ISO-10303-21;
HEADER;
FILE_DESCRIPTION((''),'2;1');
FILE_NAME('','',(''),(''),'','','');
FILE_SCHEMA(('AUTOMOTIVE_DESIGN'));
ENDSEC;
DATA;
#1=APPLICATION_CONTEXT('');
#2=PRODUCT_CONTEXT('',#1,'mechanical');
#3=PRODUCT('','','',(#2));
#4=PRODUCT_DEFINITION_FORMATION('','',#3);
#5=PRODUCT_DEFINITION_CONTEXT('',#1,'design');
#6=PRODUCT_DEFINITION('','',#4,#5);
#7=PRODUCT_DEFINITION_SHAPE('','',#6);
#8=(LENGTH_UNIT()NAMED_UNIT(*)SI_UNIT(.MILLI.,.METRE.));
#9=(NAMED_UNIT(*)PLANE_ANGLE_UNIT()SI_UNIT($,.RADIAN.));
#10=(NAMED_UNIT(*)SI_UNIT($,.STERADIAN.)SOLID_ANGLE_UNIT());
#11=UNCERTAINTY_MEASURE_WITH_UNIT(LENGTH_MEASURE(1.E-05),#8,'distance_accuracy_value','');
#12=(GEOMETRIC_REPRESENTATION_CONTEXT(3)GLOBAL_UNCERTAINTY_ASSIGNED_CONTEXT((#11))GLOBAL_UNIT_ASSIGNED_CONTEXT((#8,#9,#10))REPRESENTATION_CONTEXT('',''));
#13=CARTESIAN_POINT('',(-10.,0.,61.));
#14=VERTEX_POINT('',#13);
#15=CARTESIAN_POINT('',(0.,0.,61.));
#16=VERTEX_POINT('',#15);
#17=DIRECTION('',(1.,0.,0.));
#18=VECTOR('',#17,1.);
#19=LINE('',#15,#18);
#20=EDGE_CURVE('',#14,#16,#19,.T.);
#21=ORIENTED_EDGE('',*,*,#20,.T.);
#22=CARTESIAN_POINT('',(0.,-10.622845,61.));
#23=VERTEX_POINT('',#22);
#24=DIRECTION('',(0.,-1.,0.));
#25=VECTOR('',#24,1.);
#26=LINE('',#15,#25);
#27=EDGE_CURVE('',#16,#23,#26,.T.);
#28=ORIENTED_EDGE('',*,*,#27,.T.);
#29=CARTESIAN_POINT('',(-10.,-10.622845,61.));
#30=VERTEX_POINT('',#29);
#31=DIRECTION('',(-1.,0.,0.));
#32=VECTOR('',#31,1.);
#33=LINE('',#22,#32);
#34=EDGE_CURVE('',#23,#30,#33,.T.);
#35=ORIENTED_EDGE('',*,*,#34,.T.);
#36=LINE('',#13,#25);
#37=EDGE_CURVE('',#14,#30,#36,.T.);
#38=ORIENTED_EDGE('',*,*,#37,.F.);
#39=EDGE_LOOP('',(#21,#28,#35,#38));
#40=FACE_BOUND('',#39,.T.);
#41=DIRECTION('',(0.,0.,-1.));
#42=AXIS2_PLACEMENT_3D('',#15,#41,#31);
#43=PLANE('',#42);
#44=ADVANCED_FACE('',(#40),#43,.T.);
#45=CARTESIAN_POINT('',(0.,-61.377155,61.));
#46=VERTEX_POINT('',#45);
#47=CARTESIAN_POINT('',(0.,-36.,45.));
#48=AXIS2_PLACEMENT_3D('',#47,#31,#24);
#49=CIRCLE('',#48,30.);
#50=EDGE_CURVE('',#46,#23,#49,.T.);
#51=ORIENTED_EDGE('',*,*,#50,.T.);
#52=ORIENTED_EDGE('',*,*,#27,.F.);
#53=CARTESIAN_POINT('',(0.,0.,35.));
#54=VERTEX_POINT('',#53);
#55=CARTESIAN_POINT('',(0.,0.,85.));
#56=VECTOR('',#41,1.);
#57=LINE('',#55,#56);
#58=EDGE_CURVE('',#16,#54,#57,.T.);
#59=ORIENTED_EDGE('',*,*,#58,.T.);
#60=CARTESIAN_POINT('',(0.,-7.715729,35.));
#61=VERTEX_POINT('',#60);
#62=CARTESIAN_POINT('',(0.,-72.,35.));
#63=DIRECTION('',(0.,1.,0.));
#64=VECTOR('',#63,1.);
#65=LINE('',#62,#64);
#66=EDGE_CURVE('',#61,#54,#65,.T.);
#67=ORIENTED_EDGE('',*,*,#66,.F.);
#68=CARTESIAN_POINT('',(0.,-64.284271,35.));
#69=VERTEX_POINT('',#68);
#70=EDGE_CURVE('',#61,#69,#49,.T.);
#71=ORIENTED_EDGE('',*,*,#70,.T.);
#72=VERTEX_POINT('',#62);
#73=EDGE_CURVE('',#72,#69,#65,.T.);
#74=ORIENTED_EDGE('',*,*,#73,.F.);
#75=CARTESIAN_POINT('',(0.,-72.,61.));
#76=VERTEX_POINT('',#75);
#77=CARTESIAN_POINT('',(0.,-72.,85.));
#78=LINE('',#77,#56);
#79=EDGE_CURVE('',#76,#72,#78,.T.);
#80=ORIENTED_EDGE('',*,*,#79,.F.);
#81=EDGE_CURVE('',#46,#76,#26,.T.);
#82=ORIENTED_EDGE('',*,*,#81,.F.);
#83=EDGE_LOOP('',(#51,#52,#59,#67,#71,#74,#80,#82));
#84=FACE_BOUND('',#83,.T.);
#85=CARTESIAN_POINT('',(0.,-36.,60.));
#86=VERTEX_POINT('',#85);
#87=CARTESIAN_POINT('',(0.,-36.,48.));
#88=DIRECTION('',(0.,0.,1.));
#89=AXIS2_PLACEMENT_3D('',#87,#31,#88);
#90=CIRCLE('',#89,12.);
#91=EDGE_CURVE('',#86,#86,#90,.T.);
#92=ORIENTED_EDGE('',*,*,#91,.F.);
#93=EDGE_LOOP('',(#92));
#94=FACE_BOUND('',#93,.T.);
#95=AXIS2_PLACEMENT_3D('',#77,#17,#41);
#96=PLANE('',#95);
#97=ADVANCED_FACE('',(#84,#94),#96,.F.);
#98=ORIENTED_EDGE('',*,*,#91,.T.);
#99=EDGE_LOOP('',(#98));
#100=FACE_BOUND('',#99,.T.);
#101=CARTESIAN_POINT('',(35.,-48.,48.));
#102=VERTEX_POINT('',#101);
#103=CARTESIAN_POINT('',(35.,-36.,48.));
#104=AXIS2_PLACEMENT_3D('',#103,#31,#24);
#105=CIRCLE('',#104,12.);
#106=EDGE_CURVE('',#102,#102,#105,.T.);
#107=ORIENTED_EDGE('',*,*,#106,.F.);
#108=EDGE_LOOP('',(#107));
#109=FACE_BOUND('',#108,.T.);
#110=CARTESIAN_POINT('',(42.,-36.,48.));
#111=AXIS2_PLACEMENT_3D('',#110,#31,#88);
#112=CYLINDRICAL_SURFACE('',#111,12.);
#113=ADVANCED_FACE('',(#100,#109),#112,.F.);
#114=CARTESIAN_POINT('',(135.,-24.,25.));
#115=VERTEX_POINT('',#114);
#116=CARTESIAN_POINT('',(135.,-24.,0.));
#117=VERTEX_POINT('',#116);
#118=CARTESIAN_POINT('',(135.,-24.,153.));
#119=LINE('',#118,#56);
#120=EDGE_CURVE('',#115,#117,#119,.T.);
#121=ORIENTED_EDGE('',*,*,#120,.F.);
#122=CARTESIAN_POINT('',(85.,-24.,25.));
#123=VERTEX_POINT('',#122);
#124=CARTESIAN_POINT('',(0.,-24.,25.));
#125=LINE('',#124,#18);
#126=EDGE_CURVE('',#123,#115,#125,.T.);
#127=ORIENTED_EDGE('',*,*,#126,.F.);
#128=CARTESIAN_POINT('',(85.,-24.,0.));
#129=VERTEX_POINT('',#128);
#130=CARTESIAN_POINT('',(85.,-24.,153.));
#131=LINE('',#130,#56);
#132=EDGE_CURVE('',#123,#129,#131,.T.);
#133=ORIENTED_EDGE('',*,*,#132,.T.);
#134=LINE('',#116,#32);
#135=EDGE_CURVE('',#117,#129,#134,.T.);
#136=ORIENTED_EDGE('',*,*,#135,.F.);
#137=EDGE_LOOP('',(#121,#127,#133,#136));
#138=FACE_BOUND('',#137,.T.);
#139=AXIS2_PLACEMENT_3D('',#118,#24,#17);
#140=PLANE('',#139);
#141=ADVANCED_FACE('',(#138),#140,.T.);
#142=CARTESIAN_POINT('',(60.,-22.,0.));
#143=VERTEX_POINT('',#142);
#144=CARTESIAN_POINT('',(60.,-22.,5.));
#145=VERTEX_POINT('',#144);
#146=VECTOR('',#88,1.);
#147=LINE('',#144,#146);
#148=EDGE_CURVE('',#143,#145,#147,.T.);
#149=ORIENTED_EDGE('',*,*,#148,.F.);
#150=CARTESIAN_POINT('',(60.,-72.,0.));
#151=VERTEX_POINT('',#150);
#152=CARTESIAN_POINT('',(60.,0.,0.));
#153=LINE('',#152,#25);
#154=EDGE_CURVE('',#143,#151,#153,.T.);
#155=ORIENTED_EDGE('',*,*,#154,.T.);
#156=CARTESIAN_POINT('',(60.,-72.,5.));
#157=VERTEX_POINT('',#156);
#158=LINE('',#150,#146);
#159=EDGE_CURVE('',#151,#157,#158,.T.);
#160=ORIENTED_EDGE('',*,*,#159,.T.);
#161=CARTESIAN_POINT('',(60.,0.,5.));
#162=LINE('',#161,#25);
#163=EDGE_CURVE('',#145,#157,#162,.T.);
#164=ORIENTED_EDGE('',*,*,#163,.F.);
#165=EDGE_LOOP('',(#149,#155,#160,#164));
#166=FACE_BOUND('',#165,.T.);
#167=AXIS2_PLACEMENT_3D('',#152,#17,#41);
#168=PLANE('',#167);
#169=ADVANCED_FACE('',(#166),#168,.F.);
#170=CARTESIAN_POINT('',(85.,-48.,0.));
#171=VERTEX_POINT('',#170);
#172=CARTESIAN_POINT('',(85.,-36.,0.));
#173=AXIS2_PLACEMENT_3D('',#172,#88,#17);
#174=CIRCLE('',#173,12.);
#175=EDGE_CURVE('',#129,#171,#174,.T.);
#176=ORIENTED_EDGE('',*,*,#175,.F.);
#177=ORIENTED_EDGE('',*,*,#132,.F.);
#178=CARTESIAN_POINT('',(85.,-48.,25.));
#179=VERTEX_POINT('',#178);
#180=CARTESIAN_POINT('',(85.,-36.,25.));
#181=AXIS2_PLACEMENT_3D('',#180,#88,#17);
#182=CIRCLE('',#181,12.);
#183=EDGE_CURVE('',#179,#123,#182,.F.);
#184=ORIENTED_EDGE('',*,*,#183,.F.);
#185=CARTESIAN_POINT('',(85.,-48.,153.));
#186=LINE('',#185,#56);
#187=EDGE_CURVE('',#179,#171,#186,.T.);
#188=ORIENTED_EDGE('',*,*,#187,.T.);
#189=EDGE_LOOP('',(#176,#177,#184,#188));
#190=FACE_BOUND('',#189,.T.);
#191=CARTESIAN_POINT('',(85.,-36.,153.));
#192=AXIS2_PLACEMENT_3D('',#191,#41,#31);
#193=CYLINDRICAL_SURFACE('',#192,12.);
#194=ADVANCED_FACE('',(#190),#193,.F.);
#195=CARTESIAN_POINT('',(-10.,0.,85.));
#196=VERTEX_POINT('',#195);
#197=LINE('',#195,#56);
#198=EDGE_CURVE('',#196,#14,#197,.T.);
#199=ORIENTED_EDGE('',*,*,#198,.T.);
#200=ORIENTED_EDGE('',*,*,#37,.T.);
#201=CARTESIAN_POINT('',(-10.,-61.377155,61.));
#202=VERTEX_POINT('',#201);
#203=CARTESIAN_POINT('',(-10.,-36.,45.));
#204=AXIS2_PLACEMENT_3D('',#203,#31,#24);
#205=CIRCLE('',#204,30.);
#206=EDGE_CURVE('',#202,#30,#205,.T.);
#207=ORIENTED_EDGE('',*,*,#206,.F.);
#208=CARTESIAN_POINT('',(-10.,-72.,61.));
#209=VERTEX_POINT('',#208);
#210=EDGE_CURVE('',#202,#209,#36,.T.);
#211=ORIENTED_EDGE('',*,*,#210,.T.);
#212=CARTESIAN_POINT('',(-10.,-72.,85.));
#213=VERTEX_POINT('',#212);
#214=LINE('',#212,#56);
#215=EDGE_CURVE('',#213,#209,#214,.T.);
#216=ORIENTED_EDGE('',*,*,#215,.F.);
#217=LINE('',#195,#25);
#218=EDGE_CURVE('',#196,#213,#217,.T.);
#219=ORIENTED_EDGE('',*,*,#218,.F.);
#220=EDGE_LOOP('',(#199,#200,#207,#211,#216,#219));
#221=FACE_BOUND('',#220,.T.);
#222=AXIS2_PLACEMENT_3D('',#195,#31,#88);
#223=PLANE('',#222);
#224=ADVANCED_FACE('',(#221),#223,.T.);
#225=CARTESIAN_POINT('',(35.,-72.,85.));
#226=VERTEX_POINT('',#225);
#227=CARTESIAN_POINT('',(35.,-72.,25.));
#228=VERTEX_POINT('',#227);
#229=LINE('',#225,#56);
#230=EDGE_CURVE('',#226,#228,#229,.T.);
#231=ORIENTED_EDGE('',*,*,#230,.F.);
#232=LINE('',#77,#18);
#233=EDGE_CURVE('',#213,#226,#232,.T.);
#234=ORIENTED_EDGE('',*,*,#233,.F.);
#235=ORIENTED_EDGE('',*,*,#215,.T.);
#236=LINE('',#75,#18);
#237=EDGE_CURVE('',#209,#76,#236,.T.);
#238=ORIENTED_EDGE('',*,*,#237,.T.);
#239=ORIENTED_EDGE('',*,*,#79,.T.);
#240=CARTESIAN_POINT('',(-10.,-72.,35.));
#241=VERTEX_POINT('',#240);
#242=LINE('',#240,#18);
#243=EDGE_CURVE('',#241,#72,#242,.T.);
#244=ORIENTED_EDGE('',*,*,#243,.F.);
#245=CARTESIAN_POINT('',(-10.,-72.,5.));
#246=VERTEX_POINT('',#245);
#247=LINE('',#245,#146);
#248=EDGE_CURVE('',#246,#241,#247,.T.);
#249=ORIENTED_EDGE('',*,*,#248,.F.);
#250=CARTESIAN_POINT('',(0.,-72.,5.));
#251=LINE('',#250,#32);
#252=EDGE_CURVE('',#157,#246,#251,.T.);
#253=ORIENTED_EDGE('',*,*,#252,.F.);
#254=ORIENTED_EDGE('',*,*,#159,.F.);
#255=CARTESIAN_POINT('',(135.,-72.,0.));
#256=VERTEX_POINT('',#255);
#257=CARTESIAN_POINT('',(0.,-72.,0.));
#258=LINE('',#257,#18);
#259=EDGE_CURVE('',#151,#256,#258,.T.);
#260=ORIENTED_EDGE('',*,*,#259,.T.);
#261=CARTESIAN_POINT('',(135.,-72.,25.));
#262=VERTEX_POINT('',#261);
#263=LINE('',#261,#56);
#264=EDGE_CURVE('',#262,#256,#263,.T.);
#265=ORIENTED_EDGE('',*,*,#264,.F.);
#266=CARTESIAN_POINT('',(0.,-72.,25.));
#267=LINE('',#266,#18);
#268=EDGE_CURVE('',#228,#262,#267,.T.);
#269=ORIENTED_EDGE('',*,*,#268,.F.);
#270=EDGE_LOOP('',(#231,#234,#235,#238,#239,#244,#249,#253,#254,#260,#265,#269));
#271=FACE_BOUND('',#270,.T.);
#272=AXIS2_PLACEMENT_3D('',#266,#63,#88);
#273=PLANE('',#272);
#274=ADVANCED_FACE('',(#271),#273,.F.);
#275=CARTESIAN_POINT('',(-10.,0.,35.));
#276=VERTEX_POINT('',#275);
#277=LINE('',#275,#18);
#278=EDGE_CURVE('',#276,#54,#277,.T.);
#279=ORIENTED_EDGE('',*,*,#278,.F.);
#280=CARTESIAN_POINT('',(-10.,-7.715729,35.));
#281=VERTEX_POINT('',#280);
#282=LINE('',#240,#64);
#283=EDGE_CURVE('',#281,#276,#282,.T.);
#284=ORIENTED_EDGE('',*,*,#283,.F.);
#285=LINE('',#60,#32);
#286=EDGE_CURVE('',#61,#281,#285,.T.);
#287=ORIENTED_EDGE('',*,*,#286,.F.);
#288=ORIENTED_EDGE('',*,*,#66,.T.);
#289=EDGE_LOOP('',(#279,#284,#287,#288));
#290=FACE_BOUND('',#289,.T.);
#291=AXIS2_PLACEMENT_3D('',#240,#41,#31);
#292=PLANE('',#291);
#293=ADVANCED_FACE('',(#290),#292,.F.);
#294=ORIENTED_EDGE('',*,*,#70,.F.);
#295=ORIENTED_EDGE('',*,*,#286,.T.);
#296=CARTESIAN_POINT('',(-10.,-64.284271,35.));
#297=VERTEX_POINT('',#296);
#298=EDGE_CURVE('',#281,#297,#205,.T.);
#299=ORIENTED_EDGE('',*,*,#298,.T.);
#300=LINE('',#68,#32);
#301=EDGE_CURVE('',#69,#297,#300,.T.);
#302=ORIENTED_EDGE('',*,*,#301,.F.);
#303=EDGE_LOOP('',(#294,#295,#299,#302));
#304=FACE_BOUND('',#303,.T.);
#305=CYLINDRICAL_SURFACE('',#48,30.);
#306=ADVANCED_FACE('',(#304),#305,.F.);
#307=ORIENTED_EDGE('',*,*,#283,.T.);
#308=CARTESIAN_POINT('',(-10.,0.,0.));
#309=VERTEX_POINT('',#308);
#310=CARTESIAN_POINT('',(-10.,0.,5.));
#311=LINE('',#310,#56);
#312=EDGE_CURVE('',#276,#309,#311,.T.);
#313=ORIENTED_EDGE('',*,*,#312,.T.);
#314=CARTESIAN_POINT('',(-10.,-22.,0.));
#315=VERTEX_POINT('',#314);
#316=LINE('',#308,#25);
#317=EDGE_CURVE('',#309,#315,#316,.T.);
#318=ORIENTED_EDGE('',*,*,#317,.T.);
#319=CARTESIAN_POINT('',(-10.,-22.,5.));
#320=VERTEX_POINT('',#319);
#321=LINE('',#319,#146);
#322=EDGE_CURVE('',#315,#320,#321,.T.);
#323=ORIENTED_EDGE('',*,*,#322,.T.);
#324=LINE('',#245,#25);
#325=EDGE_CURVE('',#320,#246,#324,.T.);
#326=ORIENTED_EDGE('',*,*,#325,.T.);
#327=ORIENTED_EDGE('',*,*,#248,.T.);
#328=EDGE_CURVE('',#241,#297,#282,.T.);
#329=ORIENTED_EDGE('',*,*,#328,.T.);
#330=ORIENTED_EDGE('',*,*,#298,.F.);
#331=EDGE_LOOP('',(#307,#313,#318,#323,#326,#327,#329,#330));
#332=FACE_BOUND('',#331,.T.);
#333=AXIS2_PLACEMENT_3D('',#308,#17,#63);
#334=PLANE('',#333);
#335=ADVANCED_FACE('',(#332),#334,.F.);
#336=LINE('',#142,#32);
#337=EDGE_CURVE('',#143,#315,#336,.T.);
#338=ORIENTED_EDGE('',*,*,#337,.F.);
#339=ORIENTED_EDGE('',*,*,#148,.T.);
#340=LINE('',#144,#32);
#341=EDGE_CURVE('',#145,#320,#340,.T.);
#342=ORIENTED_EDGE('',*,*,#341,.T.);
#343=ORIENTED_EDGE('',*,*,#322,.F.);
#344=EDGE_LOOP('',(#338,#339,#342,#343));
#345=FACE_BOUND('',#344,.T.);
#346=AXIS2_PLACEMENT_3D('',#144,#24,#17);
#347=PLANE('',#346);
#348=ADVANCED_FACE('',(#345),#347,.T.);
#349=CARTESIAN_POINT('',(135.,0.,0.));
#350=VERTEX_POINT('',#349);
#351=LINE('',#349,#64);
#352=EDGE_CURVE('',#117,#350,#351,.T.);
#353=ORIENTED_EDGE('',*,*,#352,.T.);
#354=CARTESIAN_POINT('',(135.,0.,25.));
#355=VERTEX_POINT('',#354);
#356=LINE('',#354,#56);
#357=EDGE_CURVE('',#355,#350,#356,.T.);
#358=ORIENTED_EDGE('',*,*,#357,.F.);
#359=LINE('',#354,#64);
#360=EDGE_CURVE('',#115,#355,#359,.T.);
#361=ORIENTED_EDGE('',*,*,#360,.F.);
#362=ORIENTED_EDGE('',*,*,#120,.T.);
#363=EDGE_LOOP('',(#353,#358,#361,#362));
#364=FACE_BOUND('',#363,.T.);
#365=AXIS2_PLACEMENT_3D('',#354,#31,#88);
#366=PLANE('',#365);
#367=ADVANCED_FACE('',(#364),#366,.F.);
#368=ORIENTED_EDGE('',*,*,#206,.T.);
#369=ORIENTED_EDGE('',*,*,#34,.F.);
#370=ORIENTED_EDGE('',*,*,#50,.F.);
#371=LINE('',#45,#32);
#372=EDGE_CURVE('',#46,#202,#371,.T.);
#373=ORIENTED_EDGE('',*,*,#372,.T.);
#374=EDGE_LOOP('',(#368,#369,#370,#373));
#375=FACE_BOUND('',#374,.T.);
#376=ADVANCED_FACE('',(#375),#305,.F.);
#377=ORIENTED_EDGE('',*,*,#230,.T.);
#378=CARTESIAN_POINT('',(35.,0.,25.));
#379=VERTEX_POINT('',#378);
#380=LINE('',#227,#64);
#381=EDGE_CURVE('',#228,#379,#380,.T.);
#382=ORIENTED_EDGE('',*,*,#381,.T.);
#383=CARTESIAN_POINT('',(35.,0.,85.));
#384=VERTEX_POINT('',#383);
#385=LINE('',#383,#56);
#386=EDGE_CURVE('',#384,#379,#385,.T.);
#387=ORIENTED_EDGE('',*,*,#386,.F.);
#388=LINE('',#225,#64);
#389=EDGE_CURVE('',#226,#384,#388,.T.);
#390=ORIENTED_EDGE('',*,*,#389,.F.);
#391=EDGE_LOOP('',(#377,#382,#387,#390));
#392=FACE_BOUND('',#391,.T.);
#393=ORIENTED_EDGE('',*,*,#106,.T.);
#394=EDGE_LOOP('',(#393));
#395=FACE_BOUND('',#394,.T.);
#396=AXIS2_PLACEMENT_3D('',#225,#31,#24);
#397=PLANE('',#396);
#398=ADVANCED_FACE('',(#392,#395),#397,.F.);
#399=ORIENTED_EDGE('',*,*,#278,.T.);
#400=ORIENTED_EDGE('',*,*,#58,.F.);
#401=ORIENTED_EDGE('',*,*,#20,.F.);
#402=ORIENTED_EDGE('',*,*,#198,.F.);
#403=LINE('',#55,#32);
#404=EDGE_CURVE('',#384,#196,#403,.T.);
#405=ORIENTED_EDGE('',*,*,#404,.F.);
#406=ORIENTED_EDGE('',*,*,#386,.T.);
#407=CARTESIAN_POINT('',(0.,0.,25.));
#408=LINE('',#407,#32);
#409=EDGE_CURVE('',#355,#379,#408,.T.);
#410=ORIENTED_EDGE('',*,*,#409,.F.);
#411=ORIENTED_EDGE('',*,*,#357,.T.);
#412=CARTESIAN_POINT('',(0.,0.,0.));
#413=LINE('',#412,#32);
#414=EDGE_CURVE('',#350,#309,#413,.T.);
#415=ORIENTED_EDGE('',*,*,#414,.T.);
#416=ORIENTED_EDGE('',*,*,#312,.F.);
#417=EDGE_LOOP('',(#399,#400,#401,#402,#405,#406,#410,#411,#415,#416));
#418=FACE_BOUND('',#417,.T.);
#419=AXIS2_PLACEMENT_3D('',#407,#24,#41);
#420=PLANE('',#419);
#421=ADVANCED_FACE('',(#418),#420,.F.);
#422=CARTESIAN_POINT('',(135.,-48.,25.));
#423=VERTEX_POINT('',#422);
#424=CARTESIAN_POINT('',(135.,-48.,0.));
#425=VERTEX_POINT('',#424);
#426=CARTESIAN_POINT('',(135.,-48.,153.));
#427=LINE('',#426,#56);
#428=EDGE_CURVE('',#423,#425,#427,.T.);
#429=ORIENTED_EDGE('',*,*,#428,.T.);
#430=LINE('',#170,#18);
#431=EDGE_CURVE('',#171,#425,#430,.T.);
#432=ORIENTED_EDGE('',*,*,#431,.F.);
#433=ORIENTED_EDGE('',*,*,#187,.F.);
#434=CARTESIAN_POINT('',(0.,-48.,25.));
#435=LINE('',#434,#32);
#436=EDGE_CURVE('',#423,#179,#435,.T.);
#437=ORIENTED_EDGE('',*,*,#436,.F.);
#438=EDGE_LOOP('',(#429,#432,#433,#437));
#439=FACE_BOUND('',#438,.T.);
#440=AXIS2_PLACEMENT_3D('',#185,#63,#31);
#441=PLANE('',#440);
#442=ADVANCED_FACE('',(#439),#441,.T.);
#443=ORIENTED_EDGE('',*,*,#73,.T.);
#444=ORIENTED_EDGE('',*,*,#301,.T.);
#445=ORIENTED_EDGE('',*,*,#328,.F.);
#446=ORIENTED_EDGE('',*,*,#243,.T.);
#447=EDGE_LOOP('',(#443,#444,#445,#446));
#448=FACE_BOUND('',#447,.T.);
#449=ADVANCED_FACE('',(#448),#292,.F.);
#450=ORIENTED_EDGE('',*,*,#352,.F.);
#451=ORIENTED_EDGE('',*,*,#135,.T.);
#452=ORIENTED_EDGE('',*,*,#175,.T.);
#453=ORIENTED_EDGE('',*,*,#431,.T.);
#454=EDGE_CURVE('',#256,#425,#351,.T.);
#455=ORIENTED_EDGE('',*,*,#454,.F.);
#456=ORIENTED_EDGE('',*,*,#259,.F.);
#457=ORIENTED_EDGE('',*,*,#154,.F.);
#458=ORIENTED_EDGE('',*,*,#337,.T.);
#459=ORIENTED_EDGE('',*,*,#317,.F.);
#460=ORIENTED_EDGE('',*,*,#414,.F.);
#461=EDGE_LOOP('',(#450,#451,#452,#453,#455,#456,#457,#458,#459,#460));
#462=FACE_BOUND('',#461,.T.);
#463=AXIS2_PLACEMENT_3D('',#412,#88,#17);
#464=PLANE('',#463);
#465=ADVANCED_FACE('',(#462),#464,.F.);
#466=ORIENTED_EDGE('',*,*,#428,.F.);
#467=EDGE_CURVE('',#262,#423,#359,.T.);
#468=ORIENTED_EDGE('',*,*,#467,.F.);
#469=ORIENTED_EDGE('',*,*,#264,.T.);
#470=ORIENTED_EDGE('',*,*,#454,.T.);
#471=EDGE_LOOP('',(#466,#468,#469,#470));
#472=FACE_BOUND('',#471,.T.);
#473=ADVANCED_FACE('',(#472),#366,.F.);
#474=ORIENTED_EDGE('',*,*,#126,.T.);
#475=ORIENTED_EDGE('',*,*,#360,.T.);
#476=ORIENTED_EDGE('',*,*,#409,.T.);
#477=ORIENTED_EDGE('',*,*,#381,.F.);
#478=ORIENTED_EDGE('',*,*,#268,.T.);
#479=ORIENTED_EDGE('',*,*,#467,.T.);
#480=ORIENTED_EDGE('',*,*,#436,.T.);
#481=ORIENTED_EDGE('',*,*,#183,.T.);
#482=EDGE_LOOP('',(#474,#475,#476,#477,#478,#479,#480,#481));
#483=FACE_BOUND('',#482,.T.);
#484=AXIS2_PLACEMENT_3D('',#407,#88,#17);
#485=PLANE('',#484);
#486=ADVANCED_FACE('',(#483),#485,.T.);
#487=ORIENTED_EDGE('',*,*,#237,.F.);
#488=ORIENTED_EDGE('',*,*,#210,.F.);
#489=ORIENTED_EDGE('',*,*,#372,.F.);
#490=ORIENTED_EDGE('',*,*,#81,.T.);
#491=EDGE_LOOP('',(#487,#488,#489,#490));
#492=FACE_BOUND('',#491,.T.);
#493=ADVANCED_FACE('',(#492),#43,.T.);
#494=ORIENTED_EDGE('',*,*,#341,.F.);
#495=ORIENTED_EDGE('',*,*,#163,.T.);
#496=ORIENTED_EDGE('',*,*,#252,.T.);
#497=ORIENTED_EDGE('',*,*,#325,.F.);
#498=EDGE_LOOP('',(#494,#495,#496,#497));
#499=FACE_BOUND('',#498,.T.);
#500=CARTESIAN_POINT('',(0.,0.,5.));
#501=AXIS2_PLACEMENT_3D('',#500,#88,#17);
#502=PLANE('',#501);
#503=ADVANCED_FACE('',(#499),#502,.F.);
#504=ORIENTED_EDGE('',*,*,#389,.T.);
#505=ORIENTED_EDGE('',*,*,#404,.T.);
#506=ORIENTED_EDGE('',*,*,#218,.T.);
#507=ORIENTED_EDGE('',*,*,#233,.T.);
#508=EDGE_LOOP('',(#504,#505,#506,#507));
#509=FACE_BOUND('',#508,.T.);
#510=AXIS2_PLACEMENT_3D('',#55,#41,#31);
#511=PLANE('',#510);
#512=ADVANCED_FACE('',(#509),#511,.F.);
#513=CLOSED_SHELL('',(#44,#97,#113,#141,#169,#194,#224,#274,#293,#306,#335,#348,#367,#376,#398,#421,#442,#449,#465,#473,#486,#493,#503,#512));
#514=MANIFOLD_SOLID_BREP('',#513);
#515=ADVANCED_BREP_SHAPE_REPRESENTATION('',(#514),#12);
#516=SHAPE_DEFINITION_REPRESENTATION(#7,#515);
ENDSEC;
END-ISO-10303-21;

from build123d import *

# Parameters (mm, degrees)
SKETCH1_W           = 135
SKETCH1_H           = 72
BOSS_EXTRUDE2_DEPTH = 25
SKETCH2_W           = 60
SKETCH2_H           = 5
CUT_EXTRUDE1_DEPTH  = 72
CUT_EXTRUDE2_DEPTH  = 153
SKETCH4_W           = 30
SKETCH4_H           = 72
BOSS_EXTRUDE3_DEPTH = 10
SKETCH7_W           = 5
SKETCH7_H           = 22
BOSS_EXTRUDE4_DEPTH = 70
SKETCH9_W           = 35
SKETCH9_H           = 72
BOSS_EXTRUDE5_DEPTH = 60
SKETCH10_W          = 10
SKETCH10_H          = 24
BOSS_EXTRUDE6_DEPTH = 72
CUT_EXTRUDE3_DEPTH  = 10
SKETCH12_R          = 12
CUT_EXTRUDE4_DEPTH  = 42


with BuildPart() as part:
    # Sketch1 → Boss-Extrude2 (new body)
    with BuildSketch(Plane.XY):
        with Locations((67.5, -36)):
            Rectangle(SKETCH1_W, SKETCH1_H)
    extrude(amount=BOSS_EXTRUDE2_DEPTH)

    # Sketch2 → Cut-Extrude1 (cut)
    with BuildSketch(Plane.XZ.offset(72)):
        with Locations((30, 2.5)):
            Rectangle(SKETCH2_W, SKETCH2_H)
    extrude(amount=-CUT_EXTRUDE1_DEPTH, mode=Mode.SUBTRACT)

    # Sketch3 → Cut-Extrude2 (cut)
    with BuildSketch(Plane.XY):
        with BuildLine():
            Line((135, -24), (85, -24))
            ThreePointArc((85, -24), (73, -36), (85, -48))
            Line((85, -48), (135, -48))
            Line((135, -48), (135, -24))
        make_face()
    extrude(amount=CUT_EXTRUDE2_DEPTH, mode=Mode.SUBTRACT)

    # Sketch4 → Boss-Extrude3 (add)
    with BuildSketch(Plane.ZY):
        with Locations((20, -36)):
            Rectangle(SKETCH4_W, SKETCH4_H)
    extrude(amount=BOSS_EXTRUDE3_DEPTH)

    # Sketch7 → Boss-Extrude4 (add)
    with BuildSketch(Plane.ZY.offset(10)):
        with Locations((2.5, -11)):
            Rectangle(SKETCH7_W, SKETCH7_H)
    extrude(amount=-BOSS_EXTRUDE4_DEPTH)

    # Sketch9 → Boss-Extrude5 (add)
    with BuildSketch(Plane.XY.offset(25)):
        with Locations((17.5, -36)):
            Rectangle(SKETCH9_W, SKETCH9_H)
    extrude(amount=BOSS_EXTRUDE5_DEPTH)

    # Sketch10 → Boss-Extrude6 (add)
    with BuildSketch(Plane.XZ.offset(72)):
        with Locations((-5, 73)):
            Rectangle(SKETCH10_W, SKETCH10_H)
    extrude(amount=-BOSS_EXTRUDE6_DEPTH)

    # Sketch11 → Cut-Extrude3 (cut)
    with BuildSketch(Plane.ZY.offset(10)):
        with BuildLine():
            Line((35, -7.715728753), (35, -64.284271247))
            ThreePointArc((35, -64.284271247), (15, -36), (35, -7.715728753))
        make_face()
        with BuildLine():
            Line((61, -10.622844919), (61, -61.377155081))
            ThreePointArc((61, -61.377155081), (75, -36), (61, -10.622844919))
        make_face()
    extrude(amount=-CUT_EXTRUDE3_DEPTH, mode=Mode.SUBTRACT)

    # Sketch12 → Cut-Extrude4 (cut)
    with BuildSketch(Plane.ZY):
        with Locations((48, -36)):
            Circle(SKETCH12_R)
    extrude(amount=-CUT_EXTRUDE4_DEPTH, mode=Mode.SUBTRACT)


solid = part.part
